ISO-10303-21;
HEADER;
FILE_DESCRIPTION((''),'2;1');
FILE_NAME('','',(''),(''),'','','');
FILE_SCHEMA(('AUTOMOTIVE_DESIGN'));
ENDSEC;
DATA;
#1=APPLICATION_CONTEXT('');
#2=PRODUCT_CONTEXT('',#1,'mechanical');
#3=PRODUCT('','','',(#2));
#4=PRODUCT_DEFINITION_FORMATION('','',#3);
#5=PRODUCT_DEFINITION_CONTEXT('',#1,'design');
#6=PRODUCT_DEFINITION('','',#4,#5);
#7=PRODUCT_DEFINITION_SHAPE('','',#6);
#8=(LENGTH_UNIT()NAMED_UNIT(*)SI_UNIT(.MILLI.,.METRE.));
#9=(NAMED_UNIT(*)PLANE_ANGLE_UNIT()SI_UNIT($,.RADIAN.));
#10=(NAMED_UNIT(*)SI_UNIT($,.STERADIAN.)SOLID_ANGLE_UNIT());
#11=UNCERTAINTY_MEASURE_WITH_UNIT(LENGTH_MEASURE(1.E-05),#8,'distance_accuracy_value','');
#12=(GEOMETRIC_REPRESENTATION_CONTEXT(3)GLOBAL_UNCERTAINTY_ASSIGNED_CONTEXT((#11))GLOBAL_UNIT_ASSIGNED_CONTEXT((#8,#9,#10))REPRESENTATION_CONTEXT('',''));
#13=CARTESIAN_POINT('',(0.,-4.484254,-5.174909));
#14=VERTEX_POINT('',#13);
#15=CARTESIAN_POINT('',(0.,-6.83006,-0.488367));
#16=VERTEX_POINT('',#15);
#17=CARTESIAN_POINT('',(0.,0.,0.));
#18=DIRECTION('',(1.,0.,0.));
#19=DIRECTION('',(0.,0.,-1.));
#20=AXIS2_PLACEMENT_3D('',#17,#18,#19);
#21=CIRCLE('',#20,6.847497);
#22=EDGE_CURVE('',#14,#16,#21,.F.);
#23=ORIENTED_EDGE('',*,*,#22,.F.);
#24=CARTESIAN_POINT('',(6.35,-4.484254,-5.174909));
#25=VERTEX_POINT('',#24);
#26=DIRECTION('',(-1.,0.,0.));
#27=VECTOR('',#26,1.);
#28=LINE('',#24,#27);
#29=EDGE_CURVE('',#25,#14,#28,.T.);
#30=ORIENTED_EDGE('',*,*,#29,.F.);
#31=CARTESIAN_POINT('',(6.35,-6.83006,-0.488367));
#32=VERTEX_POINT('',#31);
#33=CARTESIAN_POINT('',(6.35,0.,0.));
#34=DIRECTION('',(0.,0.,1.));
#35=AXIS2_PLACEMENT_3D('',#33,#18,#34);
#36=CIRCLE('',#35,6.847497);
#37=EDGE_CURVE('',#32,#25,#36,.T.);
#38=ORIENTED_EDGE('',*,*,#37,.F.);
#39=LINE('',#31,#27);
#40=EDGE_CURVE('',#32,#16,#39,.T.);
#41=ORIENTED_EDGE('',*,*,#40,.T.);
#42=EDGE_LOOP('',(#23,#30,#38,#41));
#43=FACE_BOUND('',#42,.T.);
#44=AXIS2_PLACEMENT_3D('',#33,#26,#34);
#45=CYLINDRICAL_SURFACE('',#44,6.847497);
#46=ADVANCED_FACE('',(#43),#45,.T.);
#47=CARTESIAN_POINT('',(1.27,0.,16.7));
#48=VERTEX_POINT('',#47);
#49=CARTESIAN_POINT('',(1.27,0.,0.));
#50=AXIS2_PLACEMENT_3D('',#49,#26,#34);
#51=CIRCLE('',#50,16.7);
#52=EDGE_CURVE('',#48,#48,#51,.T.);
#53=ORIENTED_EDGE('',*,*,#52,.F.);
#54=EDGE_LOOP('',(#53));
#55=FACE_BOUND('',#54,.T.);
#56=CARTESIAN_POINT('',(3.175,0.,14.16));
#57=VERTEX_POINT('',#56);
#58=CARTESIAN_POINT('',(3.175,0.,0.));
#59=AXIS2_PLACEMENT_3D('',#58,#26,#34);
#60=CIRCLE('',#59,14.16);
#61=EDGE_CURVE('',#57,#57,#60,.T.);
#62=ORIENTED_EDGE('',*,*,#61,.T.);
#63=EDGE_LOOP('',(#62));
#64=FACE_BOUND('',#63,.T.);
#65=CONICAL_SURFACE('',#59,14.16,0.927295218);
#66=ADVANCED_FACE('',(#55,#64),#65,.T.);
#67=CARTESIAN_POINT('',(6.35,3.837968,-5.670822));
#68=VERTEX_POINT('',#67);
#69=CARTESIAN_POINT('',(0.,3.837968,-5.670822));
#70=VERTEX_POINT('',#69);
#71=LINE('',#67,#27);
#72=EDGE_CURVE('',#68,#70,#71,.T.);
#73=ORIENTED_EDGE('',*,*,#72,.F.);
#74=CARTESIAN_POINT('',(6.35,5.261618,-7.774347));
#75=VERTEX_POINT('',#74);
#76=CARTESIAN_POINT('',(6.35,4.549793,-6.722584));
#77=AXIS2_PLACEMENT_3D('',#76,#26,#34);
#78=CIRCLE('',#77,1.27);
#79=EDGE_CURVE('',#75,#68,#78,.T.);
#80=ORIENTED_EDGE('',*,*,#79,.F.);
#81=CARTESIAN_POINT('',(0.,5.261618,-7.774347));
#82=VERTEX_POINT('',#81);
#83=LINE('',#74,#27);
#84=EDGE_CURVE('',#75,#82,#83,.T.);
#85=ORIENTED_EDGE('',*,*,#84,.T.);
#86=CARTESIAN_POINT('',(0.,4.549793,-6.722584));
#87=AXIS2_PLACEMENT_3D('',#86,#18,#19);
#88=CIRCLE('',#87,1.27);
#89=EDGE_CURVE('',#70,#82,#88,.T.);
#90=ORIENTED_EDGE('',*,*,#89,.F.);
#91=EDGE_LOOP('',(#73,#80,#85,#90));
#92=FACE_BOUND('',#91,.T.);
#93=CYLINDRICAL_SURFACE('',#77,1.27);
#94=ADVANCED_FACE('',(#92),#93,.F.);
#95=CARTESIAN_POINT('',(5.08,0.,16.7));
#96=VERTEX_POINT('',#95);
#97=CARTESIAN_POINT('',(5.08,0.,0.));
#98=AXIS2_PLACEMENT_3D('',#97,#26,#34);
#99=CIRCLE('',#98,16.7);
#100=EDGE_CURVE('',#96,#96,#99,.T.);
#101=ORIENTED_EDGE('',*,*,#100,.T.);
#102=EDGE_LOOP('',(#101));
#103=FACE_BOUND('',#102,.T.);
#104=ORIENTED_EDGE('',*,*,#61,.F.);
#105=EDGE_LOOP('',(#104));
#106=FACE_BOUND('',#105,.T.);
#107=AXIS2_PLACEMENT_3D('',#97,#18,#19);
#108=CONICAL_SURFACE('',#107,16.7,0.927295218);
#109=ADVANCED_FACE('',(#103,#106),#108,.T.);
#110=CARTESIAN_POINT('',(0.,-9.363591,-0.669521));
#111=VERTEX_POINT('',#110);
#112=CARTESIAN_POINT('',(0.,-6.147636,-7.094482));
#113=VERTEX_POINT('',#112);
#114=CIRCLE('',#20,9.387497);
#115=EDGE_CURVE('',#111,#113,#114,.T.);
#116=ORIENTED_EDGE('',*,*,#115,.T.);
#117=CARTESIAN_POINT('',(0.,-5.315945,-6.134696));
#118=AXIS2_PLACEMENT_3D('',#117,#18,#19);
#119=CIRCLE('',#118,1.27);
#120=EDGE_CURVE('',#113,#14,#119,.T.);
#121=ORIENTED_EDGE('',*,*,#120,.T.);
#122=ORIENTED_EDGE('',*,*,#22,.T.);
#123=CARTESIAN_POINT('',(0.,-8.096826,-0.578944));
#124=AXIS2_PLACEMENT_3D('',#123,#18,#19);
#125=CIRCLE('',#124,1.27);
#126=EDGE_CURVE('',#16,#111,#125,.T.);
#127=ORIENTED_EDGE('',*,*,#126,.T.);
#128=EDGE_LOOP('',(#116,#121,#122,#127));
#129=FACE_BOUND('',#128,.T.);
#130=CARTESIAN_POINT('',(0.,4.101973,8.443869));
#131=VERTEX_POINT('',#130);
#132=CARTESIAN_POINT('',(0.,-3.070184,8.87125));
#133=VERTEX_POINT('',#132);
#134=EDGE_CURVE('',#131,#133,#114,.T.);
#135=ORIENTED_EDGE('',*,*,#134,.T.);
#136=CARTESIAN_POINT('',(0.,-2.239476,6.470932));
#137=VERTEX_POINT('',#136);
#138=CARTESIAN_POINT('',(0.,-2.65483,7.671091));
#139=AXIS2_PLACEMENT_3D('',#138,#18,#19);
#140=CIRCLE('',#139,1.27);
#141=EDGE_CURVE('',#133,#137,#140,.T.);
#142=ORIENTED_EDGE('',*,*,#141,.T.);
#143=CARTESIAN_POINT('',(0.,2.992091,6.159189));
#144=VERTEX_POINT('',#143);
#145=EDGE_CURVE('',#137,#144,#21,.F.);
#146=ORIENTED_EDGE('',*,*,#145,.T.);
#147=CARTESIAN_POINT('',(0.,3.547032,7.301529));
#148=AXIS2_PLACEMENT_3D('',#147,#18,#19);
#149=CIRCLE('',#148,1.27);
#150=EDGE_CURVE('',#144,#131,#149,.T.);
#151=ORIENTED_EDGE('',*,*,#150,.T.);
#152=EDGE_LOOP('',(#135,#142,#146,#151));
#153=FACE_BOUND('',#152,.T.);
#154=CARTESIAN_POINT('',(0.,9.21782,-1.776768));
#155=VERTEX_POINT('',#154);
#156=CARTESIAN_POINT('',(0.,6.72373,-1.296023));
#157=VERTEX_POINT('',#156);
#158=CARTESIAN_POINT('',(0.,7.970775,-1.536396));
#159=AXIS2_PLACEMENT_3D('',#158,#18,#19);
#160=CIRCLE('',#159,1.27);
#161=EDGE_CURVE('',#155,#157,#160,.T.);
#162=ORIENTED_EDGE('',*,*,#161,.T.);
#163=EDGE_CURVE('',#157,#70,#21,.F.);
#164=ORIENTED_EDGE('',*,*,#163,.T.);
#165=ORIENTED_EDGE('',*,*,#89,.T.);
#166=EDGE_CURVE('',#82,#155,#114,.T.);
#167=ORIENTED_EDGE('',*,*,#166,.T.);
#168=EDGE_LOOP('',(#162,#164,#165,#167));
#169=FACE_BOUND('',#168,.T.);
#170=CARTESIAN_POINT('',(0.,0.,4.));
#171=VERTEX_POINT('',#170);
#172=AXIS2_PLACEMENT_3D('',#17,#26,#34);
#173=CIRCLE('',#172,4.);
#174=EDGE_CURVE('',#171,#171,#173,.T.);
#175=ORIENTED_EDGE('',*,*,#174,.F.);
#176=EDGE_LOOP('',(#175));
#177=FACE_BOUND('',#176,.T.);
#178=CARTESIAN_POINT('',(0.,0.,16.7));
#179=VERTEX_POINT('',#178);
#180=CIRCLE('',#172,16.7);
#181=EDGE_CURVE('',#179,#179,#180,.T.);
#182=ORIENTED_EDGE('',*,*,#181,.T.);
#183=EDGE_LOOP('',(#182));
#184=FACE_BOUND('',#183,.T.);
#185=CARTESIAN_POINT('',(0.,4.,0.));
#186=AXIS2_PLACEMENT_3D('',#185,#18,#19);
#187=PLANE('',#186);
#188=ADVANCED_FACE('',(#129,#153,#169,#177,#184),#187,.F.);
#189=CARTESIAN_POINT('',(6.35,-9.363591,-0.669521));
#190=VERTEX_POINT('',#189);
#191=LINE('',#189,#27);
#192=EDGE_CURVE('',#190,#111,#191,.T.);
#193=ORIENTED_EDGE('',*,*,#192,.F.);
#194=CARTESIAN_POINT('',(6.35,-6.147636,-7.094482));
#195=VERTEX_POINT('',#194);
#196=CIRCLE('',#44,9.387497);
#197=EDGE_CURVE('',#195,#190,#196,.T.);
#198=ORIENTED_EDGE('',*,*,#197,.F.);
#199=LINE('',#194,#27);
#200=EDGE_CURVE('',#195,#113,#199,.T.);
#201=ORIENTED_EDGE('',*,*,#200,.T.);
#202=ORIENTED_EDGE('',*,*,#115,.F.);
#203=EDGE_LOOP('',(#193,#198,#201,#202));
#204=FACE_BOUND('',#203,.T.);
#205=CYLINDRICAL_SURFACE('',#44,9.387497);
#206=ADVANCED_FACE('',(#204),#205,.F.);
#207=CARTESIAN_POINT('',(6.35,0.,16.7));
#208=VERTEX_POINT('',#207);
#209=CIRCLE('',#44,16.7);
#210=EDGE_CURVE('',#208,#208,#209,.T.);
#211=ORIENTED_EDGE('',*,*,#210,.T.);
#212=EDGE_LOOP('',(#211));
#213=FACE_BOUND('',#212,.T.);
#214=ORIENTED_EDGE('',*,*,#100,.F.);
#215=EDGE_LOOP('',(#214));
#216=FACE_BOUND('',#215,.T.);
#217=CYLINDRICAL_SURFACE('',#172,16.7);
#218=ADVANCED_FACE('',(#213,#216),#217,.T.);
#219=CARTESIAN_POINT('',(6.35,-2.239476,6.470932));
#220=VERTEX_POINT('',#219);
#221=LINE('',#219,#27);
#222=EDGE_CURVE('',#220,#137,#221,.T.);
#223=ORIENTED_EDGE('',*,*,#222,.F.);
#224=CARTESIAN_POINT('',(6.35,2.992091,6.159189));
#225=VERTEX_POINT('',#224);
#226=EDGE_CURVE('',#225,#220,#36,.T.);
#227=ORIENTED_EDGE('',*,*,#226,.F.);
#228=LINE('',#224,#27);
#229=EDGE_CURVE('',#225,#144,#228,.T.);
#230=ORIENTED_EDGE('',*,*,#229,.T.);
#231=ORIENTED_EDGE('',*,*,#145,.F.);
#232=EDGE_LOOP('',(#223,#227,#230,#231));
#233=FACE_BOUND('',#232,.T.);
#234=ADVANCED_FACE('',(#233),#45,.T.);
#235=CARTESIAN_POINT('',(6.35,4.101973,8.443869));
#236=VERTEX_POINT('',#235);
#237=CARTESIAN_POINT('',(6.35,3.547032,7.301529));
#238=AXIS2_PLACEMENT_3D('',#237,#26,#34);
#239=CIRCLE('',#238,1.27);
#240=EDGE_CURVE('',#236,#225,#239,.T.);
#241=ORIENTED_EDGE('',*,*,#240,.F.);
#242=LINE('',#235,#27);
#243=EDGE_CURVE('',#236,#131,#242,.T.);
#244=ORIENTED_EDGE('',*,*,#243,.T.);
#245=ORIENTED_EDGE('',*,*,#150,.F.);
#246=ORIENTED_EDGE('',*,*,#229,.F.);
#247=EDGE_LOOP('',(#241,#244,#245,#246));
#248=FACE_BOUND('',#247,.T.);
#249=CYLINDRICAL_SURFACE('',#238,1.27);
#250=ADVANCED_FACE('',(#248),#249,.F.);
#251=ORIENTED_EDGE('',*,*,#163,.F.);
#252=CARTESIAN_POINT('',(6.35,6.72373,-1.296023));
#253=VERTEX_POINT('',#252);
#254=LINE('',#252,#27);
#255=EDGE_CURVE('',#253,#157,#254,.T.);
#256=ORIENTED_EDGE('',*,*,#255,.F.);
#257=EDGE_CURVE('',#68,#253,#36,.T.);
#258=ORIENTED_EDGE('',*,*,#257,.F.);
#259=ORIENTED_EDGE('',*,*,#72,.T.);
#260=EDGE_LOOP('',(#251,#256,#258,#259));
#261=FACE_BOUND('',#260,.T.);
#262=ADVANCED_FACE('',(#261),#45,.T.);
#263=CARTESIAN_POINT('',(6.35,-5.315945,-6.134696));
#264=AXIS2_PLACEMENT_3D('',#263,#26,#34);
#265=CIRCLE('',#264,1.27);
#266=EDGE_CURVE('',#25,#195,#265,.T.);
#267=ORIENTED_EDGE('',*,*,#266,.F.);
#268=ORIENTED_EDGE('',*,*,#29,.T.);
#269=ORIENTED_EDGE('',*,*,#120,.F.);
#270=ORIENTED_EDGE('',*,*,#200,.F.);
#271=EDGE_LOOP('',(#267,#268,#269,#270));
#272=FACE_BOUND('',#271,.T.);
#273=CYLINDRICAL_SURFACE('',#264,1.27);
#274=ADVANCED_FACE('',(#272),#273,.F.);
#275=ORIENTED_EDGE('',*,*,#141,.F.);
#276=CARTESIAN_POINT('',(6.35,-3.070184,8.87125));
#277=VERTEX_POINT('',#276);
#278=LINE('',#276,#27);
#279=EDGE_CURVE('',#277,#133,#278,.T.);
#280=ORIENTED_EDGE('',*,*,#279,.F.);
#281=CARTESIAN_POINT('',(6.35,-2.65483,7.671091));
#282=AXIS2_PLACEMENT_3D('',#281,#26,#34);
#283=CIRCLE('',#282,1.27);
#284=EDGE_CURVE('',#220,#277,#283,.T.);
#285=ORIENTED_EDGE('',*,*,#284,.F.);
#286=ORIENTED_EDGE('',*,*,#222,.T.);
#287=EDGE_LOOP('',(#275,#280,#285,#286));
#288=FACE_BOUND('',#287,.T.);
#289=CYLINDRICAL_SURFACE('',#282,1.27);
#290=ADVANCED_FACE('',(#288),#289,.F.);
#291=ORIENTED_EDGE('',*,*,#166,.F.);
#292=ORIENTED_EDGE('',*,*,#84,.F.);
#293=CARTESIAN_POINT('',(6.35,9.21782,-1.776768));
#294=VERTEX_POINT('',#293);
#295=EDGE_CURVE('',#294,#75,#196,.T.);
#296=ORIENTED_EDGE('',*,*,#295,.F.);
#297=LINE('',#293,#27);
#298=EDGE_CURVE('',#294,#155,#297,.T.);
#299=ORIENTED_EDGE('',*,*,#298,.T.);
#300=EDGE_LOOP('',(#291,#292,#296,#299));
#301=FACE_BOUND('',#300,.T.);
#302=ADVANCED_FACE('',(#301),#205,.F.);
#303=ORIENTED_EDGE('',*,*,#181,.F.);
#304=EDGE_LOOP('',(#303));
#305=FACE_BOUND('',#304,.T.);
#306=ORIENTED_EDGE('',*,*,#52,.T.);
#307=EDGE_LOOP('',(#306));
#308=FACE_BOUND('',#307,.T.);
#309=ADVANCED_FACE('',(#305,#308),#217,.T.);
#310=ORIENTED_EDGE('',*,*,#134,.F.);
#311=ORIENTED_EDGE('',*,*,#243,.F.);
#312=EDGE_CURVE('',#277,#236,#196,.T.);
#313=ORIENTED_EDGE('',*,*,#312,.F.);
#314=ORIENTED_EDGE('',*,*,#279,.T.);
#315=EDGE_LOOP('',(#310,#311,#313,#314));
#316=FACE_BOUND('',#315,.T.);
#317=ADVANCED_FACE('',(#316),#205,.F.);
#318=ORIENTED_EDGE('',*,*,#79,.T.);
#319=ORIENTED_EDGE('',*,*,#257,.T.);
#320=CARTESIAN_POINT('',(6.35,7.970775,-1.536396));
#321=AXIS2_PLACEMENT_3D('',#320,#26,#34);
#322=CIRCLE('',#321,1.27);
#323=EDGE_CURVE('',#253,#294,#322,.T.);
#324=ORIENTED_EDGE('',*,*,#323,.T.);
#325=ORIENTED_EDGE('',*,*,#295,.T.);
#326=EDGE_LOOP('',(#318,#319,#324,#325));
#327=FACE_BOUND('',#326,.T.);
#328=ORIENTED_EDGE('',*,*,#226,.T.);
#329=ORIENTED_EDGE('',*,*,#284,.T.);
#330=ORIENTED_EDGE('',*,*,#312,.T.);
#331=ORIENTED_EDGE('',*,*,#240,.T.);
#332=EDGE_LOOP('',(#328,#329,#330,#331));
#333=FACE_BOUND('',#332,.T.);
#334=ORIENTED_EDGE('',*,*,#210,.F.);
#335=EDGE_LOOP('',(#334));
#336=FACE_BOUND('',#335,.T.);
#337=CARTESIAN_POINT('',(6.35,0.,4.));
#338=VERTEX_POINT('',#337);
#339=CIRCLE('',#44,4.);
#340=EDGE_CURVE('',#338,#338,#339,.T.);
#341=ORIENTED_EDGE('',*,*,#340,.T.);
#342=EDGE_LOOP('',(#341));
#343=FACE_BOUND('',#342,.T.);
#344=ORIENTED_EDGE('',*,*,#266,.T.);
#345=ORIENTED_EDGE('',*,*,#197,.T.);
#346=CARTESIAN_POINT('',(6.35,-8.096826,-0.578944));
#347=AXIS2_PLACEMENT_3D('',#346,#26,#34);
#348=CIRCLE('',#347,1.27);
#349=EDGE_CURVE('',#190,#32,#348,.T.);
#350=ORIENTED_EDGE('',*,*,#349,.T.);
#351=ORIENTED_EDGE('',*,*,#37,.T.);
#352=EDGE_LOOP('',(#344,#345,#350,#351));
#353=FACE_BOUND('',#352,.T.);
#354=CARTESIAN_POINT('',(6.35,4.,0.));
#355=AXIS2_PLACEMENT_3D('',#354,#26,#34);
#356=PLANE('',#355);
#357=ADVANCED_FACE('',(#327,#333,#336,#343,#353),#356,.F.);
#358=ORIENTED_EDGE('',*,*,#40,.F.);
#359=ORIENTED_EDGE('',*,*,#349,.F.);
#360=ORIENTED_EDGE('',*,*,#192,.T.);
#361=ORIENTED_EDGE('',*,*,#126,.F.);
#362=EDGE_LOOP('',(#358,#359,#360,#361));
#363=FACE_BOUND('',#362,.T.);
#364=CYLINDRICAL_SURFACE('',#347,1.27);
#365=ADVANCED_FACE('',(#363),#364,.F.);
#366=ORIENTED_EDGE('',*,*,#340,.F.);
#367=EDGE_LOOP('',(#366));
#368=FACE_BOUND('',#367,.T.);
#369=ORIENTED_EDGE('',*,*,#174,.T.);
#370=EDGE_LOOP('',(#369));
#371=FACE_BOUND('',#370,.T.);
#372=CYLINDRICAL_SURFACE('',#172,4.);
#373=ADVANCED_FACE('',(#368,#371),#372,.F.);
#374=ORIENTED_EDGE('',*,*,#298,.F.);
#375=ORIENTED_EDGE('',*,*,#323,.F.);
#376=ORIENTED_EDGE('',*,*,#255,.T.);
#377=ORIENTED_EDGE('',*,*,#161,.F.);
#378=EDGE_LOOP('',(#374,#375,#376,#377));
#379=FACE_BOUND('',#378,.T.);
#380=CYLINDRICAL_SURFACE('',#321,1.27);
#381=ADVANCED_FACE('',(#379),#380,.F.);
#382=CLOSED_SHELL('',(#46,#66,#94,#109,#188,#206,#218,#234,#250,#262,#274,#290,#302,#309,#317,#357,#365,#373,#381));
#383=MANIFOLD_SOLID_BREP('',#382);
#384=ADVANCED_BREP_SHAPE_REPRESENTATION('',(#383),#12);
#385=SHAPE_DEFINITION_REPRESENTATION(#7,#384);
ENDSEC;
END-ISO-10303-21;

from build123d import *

# Parameters (mm, degrees)
CUT_EXTRUDE1_DEPTH      = 25.4561342
CUT_EXTRUDE1_DEPTH_BACK = 25.4561342


with BuildPart() as part:
    # Sketch1 → Revolve1 (revolve)
    with BuildSketch(Plane.XY, mode=Mode.PRIVATE) as revolve1_sk:
        Polygon((1.27, 16.7), (3.175, 14.16), (5.08, 16.7), (6.35, 16.7), (6.35, 4), (0, 4), (0, 16.7), align=None)
    revolve(revolve1_sk.sketch.rotate(Axis((0, 0, 0), (1, 0, 0)), 90), axis=Axis((0, 0, 0), (1, 0, 0)))

    # Sketch2 → Cut-Extrude1 (cut, two sides: drawn at the far end of the back side and taken through both)
    with BuildSketch(Plane.ZY.offset(-CUT_EXTRUDE1_DEPTH_BACK)):
        with BuildLine():
            ThreePointArc((-5.174909182, -4.484253782), (-6.96638667, -4.356158459), (-7.094481993, -6.147635947))
            ThreePointArc((-7.094481993, -6.147635947), (-4.201848282, -8.394615744), (-0.66952126, -9.363591392))
            ThreePointArc((-0.66952126, -9.363591392), (0.687821691, -8.187402584), (-0.488367117, -6.830059633))
            ThreePointArc((-0.488367117, -6.830059633), (-3.064943047, -6.123262296), (-5.174909182, -4.484253782))
        make_face()
        with BuildLine():
            ThreePointArc((-1.296023102, 6.723729704), (-0.289350555, 8.211147057), (-1.776767907, 9.217819605))
            ThreePointArc((-1.776767907, 9.217819605), (-5.169026349, 7.836215226), (-7.774347387, 5.261618115))
            ThreePointArc((-7.774347387, 5.261618115), (-7.434409475, 3.498030233), (-5.670821594, 3.837968145))
            ThreePointArc((-5.670821594, 3.837968145), (-3.77042918, 5.715949687), (-1.296023102, 6.723729704))
        make_face()
        with BuildLine():
            ThreePointArc((6.470932282, -2.239475923), (7.255737222, -3.854988599), (8.871249898, -3.070183659))
            ThreePointArc((8.871249898, -3.070183659), (9.370874629, 0.558400517), (8.443868645, 4.101973277))
            ThreePointArc((8.443868645, 4.101973277), (6.746587782, 4.68937235), (6.159188708, 2.992091487))
            ThreePointArc((6.159188708, 2.992091487), (6.835372224, 0.407312608), (6.470932282, -2.239475923))
        make_face()
    extrude(amount=CUT_EXTRUDE1_DEPTH + CUT_EXTRUDE1_DEPTH_BACK, mode=Mode.SUBTRACT)


solid = part.part
